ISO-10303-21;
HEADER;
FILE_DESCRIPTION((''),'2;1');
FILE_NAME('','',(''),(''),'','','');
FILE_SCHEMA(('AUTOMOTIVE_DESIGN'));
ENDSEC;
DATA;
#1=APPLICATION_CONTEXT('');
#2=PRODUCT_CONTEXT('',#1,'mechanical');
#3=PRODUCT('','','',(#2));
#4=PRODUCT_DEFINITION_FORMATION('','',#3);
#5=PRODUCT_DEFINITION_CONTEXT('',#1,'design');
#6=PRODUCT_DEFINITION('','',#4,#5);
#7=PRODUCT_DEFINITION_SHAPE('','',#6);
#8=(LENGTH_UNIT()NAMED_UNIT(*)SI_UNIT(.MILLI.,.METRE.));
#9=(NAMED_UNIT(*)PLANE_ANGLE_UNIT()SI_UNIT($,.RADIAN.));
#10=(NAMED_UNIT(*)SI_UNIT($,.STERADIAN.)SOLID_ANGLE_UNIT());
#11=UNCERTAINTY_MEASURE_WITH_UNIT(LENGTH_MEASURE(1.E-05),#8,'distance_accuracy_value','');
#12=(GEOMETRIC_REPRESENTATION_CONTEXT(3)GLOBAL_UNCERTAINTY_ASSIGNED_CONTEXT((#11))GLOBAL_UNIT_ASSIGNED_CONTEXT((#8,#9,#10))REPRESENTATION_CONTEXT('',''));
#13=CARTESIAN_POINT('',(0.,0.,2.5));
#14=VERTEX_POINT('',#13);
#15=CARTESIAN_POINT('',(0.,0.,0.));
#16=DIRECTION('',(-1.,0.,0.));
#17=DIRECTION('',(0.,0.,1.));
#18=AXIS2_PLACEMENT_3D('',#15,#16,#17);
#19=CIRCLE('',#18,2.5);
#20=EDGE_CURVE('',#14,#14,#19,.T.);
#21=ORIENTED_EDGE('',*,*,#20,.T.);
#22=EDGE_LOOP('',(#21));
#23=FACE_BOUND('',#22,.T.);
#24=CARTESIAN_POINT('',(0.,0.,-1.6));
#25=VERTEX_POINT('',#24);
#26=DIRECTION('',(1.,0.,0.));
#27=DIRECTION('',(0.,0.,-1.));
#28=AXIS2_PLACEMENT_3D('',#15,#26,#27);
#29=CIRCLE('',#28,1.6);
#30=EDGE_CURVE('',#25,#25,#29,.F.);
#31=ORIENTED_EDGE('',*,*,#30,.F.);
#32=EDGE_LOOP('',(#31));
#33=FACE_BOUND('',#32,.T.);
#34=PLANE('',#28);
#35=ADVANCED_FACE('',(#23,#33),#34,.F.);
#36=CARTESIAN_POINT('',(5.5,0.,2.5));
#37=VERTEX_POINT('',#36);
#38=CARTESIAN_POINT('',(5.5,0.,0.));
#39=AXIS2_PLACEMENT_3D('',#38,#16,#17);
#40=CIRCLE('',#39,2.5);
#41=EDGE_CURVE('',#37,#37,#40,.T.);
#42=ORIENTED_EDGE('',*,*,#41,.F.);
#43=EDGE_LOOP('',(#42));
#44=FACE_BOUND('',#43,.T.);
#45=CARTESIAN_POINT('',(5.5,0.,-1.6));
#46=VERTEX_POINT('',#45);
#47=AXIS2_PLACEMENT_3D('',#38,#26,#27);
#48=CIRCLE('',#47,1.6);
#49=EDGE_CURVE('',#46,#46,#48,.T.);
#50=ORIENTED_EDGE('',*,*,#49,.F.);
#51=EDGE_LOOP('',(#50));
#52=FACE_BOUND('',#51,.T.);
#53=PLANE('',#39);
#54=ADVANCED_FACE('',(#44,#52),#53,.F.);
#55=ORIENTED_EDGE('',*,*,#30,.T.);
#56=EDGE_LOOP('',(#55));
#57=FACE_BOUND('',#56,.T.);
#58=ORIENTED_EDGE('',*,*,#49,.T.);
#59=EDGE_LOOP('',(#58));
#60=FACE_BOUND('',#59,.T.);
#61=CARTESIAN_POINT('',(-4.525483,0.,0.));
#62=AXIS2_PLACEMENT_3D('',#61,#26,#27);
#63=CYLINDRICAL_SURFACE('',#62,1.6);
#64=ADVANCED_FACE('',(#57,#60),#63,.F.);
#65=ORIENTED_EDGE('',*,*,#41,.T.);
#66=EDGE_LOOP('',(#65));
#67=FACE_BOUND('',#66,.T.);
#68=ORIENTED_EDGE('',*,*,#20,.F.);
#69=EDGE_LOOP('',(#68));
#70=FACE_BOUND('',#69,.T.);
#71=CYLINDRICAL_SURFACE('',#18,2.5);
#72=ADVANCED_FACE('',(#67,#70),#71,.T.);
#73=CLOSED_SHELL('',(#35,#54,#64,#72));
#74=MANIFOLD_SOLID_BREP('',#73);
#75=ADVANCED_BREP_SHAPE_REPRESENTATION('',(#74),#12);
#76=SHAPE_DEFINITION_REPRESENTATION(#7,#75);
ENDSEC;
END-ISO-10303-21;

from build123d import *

# Parameters (mm, degrees)
SKIZZE1_W                       = 5.5
SKIZZE1_H                       = 2.5
SKIZZE2_R                       = 1.6
SCHNITT_LINEAR_AUSTRAGEN1_DEPTH = 5.5


with BuildPart() as part:
    # Skizze1 → Rotation1 (revolve)
    with BuildSketch(Plane.XY, mode=Mode.PRIVATE) as rotation1_sk:
        with Locations((2.75, 1.25)):
            Rectangle(SKIZZE1_W, SKIZZE1_H)
    revolve(rotation1_sk.sketch.rotate(Axis((0, 0, 0), (1, 0, 0)), 90), axis=Axis((0, 0, 0), (1, 0, 0)))

    # Skizze2 → Schnitt-Linear austragen1 (cut)
    with BuildSketch(Plane(origin=(5.5, 0, 0), x_dir=(0, 0, -1), z_dir=(1, 0, 0))):
        Circle(SKIZZE2_R)
    extrude(amount=-SCHNITT_LINEAR_AUSTRAGEN1_DEPTH, mode=Mode.SUBTRACT)


solid = part.part
